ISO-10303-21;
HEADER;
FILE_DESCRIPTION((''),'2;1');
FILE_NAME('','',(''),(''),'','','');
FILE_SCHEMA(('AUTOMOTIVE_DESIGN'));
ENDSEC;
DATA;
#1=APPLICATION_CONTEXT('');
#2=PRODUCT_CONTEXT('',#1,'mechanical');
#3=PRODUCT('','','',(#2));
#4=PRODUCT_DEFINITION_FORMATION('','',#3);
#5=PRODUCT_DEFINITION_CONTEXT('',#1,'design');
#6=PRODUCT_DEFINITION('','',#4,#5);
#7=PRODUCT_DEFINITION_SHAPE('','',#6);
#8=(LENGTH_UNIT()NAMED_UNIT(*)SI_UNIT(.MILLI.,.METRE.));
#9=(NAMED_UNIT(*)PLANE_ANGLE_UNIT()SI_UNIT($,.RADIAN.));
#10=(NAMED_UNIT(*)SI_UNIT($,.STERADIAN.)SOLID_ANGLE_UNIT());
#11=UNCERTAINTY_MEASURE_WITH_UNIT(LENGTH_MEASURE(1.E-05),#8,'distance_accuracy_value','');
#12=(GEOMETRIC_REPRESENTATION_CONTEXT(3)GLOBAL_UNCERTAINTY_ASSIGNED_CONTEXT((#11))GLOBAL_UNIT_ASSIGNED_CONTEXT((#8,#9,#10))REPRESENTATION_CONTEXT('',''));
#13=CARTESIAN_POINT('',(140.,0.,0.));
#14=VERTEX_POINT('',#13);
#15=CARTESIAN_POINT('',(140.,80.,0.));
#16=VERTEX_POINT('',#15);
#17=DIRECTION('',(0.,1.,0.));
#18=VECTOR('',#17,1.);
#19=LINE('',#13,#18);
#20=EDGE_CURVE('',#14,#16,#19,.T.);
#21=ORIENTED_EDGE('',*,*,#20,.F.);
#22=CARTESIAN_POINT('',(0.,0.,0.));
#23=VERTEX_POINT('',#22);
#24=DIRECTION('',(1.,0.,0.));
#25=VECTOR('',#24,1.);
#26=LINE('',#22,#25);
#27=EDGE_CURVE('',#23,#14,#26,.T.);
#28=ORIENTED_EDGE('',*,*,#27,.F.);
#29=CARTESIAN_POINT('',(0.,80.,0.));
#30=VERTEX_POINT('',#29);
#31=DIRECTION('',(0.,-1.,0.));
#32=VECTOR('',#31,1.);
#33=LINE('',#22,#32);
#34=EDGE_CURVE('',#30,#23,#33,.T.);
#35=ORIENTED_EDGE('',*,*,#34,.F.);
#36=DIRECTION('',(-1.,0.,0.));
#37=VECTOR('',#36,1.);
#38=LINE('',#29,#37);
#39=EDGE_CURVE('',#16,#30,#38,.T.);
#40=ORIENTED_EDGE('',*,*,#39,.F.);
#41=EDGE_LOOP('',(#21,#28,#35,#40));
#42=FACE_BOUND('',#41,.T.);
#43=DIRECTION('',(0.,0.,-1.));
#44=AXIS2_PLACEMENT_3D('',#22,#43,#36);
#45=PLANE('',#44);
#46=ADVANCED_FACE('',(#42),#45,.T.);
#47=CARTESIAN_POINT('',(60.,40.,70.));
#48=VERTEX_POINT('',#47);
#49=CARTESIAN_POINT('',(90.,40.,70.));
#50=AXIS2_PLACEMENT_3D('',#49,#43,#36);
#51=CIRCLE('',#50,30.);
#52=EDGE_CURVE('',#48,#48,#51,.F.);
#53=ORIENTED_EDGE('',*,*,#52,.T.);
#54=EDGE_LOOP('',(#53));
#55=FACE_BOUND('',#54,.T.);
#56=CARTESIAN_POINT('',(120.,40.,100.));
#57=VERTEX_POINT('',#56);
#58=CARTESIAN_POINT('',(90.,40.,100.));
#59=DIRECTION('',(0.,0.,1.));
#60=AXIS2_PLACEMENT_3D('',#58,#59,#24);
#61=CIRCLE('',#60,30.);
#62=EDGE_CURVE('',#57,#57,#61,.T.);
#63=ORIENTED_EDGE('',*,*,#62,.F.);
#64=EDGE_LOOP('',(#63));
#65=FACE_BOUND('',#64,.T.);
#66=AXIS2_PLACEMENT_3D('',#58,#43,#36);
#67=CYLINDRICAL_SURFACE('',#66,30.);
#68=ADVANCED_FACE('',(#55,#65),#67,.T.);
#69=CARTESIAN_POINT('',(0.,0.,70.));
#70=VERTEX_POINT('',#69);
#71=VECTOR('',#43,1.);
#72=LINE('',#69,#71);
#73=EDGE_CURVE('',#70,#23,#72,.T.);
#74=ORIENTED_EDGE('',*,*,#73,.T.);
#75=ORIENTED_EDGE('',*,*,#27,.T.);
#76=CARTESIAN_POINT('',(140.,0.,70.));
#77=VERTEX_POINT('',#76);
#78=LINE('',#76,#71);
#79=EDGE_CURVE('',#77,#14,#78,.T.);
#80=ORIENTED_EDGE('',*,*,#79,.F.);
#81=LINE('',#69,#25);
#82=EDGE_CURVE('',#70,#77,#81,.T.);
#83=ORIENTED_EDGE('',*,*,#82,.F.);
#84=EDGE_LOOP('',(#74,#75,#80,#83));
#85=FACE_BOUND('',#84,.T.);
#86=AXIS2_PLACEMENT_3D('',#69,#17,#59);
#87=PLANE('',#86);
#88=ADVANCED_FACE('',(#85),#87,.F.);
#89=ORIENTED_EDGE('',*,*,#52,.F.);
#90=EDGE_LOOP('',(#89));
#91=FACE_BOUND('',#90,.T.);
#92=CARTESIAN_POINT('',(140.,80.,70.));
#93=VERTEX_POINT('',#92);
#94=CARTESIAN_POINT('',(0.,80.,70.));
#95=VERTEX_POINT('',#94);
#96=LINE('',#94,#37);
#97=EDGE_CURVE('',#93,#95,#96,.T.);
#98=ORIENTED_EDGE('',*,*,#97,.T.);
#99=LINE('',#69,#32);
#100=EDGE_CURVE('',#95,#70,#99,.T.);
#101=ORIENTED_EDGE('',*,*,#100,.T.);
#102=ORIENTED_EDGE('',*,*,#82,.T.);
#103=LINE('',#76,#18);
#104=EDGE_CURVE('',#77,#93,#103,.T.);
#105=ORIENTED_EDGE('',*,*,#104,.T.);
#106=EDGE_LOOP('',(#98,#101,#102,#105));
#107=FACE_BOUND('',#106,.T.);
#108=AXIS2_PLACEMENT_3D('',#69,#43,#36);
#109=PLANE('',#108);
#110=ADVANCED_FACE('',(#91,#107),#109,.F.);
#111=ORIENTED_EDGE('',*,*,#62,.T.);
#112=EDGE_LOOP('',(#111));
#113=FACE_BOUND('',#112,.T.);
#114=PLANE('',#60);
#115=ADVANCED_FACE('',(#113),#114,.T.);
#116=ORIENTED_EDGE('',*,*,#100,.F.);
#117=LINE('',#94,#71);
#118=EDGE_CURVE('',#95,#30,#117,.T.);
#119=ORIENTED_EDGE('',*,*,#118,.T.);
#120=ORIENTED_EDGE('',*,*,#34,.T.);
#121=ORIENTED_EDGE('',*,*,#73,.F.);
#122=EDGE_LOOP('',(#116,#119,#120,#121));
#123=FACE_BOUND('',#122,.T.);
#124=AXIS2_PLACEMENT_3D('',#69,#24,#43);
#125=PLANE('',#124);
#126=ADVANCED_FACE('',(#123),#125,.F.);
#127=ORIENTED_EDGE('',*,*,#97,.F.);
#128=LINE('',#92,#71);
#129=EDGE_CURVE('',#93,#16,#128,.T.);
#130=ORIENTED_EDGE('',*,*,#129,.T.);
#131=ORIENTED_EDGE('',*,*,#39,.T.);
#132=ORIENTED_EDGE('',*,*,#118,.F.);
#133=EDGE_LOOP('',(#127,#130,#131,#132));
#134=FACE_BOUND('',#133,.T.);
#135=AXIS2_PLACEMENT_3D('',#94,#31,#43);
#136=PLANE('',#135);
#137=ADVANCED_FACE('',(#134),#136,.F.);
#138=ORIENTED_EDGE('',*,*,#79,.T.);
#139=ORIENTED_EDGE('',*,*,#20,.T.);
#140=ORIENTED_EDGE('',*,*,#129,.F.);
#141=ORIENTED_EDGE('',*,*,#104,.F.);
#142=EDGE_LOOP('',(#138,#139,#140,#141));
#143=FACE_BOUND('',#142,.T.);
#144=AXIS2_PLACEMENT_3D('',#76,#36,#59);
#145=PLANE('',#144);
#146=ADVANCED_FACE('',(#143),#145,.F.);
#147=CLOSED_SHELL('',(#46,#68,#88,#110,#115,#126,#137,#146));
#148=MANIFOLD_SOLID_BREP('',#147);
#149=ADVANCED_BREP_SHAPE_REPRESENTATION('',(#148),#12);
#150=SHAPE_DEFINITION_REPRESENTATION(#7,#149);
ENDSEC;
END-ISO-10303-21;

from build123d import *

# Parameters (mm, degrees)
SKETCH_1_W      = 140
SKETCH_1_H      = 80
EXTRUDE_1_DEPTH = 70
SKETCH_2_R      = 30
EXTRUDE_2_DEPTH = 30


with BuildPart() as part:
    # 草图1 → 凸台-拉伸1 (new body)
    with BuildSketch(Plane.XY):
        with Locations((70, 40)):
            Rectangle(SKETCH_1_W, SKETCH_1_H)
    extrude(amount=EXTRUDE_1_DEPTH)

    # 草图2 → 凸台-拉伸2 (add)
    with BuildSketch(Plane.XY.offset(70)):
        with Locations(Location((90, 40, 0), (0, 0, 180))):
            Circle(SKETCH_2_R)
    extrude(amount=EXTRUDE_2_DEPTH)


solid = part.part
